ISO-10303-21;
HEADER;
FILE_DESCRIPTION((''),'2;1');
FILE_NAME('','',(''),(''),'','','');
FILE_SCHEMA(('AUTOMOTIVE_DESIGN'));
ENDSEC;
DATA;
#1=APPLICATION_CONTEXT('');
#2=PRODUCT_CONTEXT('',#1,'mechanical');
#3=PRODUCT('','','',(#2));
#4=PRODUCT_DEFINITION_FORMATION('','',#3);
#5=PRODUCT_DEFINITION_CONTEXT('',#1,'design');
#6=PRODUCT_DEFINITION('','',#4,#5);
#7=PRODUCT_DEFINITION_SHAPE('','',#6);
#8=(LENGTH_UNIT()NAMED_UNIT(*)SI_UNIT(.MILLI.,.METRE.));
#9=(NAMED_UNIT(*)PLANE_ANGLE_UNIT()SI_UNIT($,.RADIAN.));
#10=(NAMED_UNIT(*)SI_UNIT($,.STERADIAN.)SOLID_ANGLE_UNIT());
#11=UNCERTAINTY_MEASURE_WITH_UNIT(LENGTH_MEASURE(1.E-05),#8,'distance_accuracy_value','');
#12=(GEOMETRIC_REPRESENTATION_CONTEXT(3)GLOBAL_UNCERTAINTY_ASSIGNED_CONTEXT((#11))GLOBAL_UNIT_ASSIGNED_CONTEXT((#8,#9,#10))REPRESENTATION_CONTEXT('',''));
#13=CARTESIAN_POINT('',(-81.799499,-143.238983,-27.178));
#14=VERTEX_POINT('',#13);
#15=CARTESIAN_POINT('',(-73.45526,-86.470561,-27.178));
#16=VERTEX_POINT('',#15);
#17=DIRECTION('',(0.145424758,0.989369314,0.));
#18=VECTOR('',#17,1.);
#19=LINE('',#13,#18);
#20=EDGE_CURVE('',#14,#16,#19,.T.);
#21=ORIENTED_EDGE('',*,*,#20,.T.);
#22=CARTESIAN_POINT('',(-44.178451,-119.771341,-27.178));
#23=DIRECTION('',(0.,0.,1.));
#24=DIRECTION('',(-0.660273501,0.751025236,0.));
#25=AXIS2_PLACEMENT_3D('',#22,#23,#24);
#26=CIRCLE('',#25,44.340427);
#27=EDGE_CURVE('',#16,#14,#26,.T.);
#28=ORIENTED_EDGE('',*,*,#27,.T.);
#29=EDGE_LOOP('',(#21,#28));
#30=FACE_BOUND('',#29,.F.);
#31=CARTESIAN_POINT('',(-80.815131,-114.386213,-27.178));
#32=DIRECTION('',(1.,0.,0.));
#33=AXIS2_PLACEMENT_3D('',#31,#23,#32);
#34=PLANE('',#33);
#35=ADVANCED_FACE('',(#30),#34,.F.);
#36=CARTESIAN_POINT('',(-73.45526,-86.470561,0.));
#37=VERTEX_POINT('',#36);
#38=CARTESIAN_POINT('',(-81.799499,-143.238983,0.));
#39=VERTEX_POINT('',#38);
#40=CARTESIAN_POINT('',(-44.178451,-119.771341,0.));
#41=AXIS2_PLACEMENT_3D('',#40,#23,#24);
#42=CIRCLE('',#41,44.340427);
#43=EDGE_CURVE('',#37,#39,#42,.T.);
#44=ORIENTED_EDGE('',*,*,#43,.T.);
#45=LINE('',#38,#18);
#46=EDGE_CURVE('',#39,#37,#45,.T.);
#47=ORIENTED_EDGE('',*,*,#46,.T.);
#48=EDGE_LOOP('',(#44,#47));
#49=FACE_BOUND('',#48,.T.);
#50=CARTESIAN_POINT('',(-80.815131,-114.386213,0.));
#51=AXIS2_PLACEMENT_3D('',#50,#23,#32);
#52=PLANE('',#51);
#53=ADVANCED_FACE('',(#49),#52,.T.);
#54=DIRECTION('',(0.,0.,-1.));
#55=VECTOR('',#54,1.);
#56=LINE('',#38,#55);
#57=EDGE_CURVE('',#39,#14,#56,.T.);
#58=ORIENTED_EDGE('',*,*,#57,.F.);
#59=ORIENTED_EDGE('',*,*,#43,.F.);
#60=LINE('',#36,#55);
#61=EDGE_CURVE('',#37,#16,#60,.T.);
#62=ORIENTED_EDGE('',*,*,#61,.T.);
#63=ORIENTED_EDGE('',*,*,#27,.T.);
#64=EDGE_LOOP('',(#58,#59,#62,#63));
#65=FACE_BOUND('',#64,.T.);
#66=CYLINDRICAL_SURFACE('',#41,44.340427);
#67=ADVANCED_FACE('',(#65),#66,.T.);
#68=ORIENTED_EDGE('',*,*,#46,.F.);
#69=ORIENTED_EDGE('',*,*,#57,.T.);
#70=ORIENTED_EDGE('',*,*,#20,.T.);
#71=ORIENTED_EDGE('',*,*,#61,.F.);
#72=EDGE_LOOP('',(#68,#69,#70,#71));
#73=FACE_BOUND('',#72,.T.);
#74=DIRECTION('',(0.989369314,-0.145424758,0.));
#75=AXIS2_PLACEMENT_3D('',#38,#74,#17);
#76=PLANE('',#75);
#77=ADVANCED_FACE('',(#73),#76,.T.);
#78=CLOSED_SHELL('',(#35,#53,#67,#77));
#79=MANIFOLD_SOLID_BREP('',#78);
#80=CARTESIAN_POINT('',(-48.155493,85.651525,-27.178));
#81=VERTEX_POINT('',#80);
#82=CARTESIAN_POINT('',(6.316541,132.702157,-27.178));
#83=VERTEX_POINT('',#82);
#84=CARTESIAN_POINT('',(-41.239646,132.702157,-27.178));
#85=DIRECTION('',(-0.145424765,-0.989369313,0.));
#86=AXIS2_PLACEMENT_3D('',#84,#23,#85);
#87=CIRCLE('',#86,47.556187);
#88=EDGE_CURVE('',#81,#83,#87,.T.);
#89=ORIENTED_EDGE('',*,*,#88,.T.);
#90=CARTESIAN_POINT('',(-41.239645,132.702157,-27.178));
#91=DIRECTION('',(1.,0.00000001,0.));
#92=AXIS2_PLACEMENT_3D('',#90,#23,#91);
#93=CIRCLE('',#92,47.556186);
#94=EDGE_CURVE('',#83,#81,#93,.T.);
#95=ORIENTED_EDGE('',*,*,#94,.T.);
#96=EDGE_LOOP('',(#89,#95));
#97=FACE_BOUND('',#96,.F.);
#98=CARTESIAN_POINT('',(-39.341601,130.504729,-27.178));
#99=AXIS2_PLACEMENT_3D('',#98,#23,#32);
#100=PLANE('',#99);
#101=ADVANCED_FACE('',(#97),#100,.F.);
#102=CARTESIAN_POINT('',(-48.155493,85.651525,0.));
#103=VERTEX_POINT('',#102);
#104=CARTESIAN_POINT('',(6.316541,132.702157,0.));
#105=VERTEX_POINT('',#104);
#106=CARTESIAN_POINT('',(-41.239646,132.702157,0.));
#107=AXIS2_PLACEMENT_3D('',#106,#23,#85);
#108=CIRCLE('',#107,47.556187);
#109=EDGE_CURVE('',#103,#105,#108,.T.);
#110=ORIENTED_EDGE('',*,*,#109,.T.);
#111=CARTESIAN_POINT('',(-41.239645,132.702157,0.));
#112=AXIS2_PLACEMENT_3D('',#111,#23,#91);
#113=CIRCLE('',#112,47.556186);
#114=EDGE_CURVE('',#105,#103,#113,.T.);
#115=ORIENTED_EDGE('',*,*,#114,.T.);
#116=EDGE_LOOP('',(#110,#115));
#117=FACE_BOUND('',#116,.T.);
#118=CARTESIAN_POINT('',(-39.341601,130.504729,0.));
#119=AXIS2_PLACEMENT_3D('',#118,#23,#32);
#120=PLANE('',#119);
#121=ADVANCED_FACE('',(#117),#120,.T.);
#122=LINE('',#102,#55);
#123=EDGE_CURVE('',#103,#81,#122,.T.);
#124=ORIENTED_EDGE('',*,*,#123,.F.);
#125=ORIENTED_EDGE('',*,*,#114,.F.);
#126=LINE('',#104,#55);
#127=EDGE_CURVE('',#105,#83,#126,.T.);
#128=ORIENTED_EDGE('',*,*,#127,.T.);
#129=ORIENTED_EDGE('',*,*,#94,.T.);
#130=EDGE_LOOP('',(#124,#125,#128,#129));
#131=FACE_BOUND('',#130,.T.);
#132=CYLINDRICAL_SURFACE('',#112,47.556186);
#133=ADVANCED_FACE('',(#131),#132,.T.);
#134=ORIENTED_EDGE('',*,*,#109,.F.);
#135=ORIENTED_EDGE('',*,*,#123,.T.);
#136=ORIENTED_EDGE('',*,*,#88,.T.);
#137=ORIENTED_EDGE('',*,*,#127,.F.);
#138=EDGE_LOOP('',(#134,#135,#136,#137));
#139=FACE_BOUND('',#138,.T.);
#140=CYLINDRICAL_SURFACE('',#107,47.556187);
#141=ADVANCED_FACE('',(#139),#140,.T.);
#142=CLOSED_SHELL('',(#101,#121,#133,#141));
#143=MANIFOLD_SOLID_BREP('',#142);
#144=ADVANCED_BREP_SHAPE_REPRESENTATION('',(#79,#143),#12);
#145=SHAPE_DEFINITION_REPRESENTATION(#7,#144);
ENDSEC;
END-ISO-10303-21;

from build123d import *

# Parameters (mm, degrees)
F1_DEPTH = 27.178


with BuildPart() as f1:
    # F0 (on Top) → F1 (new body)
    with BuildSketch(Plane.XY):
        with BuildLine():
            ThreePointArc((6.316541, 132.702157), (-72.325812, 168.691615), (-48.155493, 85.651525))
            ThreePointArc((-48.155493, 85.651525), (-10.153478, 96.712699), (6.316541, 132.702157))
        make_face()
        with BuildLine():
            ThreePointArc((-73.45526, -86.470561), (-88.047509, -113.323145), (-81.799499, -143.238983))
            Line((-81.799499, -143.238983), (-73.45526, -86.470561))
        make_face()
    extrude(amount=-F1_DEPTH)


solid = f1.part
